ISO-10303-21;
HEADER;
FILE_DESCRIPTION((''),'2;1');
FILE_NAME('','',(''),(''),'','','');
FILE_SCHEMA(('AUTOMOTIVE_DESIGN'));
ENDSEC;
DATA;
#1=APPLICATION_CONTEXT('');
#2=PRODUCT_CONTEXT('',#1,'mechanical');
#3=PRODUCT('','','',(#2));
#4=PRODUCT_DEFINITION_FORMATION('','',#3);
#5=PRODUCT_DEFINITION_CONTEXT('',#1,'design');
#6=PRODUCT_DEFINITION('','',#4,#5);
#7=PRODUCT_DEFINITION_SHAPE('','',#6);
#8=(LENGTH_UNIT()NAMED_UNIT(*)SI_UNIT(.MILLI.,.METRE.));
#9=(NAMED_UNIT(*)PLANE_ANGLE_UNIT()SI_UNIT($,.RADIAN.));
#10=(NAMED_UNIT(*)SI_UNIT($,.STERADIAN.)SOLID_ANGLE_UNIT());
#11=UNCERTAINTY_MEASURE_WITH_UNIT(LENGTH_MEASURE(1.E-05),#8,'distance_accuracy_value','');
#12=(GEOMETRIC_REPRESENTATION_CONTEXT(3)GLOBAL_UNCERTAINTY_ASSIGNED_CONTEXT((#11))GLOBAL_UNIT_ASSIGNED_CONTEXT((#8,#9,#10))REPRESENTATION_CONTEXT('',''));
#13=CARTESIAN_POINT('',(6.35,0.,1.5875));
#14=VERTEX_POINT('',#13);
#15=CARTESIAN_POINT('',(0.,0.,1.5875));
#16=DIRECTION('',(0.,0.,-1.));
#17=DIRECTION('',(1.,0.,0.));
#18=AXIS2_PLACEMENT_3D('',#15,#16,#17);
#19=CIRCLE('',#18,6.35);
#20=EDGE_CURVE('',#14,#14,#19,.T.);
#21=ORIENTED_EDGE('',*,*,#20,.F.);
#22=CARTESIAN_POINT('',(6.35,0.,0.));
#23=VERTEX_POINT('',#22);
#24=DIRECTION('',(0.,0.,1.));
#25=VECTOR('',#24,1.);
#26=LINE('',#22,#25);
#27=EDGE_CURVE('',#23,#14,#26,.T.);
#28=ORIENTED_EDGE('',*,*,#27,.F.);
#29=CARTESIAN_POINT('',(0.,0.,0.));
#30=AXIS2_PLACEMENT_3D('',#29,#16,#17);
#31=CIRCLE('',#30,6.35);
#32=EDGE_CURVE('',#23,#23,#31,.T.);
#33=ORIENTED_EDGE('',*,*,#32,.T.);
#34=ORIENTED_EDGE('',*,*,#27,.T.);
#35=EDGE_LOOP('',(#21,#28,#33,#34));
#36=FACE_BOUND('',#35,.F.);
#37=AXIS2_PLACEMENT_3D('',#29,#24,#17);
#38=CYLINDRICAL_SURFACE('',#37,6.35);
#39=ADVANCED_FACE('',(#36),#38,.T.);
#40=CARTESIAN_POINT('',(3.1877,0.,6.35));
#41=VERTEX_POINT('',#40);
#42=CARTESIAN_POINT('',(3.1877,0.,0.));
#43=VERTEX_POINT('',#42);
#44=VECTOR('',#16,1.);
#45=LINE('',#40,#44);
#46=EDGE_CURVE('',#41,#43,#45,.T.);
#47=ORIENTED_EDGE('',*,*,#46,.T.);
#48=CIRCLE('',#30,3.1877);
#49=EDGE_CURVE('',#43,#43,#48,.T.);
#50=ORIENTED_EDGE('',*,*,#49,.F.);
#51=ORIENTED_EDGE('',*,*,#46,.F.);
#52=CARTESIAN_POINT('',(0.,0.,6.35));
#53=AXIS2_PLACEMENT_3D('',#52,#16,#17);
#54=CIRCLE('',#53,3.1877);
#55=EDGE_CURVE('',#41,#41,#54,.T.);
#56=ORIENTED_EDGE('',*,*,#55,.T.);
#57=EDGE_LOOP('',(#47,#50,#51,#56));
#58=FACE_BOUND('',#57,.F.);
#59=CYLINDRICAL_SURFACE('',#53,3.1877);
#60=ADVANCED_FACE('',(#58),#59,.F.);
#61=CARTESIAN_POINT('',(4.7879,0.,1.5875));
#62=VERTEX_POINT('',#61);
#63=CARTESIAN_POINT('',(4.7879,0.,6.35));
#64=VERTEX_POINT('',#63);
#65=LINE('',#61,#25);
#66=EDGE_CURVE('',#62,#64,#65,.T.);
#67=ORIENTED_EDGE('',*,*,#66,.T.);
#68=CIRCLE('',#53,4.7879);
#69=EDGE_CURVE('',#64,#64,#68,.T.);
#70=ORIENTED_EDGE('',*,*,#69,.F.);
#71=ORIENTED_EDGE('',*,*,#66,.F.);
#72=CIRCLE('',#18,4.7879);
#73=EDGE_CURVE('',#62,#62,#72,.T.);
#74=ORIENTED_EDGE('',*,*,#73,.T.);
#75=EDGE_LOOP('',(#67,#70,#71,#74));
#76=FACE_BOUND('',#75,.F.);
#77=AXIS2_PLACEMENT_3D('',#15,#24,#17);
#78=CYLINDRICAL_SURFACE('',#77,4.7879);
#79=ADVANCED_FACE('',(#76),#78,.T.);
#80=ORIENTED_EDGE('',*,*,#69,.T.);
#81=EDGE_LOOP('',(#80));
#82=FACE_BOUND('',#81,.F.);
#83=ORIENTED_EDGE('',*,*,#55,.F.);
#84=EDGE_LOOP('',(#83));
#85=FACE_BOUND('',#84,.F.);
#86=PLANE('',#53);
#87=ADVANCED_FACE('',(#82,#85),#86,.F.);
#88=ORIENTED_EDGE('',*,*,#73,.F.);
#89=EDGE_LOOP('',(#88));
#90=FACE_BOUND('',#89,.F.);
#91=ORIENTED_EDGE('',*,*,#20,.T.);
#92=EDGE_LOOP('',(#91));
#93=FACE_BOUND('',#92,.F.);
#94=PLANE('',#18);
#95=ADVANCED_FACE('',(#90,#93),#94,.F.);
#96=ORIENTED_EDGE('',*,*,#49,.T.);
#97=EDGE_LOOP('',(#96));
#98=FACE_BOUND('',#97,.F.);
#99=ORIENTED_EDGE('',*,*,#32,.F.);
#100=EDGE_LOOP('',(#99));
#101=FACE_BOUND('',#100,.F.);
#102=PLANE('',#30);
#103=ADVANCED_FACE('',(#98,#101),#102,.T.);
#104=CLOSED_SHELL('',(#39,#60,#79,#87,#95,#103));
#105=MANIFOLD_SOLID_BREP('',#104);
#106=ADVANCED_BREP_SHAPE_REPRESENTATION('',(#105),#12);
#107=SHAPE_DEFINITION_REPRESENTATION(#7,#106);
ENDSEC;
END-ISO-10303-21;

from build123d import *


with BuildPart() as part:
    # 草图1 → 旋转1 (revolve)
    with BuildSketch(Plane.XZ):
        Polygon((3.1877, 6.35), (3.1877, 0), (6.35, 0), (6.35, 1.5875), (4.7879, 1.5875), (4.7879, 6.35), align=None)
    revolve(axis=Axis((0, 0, 6.35), (0, 0, -1)))


solid = part.part
